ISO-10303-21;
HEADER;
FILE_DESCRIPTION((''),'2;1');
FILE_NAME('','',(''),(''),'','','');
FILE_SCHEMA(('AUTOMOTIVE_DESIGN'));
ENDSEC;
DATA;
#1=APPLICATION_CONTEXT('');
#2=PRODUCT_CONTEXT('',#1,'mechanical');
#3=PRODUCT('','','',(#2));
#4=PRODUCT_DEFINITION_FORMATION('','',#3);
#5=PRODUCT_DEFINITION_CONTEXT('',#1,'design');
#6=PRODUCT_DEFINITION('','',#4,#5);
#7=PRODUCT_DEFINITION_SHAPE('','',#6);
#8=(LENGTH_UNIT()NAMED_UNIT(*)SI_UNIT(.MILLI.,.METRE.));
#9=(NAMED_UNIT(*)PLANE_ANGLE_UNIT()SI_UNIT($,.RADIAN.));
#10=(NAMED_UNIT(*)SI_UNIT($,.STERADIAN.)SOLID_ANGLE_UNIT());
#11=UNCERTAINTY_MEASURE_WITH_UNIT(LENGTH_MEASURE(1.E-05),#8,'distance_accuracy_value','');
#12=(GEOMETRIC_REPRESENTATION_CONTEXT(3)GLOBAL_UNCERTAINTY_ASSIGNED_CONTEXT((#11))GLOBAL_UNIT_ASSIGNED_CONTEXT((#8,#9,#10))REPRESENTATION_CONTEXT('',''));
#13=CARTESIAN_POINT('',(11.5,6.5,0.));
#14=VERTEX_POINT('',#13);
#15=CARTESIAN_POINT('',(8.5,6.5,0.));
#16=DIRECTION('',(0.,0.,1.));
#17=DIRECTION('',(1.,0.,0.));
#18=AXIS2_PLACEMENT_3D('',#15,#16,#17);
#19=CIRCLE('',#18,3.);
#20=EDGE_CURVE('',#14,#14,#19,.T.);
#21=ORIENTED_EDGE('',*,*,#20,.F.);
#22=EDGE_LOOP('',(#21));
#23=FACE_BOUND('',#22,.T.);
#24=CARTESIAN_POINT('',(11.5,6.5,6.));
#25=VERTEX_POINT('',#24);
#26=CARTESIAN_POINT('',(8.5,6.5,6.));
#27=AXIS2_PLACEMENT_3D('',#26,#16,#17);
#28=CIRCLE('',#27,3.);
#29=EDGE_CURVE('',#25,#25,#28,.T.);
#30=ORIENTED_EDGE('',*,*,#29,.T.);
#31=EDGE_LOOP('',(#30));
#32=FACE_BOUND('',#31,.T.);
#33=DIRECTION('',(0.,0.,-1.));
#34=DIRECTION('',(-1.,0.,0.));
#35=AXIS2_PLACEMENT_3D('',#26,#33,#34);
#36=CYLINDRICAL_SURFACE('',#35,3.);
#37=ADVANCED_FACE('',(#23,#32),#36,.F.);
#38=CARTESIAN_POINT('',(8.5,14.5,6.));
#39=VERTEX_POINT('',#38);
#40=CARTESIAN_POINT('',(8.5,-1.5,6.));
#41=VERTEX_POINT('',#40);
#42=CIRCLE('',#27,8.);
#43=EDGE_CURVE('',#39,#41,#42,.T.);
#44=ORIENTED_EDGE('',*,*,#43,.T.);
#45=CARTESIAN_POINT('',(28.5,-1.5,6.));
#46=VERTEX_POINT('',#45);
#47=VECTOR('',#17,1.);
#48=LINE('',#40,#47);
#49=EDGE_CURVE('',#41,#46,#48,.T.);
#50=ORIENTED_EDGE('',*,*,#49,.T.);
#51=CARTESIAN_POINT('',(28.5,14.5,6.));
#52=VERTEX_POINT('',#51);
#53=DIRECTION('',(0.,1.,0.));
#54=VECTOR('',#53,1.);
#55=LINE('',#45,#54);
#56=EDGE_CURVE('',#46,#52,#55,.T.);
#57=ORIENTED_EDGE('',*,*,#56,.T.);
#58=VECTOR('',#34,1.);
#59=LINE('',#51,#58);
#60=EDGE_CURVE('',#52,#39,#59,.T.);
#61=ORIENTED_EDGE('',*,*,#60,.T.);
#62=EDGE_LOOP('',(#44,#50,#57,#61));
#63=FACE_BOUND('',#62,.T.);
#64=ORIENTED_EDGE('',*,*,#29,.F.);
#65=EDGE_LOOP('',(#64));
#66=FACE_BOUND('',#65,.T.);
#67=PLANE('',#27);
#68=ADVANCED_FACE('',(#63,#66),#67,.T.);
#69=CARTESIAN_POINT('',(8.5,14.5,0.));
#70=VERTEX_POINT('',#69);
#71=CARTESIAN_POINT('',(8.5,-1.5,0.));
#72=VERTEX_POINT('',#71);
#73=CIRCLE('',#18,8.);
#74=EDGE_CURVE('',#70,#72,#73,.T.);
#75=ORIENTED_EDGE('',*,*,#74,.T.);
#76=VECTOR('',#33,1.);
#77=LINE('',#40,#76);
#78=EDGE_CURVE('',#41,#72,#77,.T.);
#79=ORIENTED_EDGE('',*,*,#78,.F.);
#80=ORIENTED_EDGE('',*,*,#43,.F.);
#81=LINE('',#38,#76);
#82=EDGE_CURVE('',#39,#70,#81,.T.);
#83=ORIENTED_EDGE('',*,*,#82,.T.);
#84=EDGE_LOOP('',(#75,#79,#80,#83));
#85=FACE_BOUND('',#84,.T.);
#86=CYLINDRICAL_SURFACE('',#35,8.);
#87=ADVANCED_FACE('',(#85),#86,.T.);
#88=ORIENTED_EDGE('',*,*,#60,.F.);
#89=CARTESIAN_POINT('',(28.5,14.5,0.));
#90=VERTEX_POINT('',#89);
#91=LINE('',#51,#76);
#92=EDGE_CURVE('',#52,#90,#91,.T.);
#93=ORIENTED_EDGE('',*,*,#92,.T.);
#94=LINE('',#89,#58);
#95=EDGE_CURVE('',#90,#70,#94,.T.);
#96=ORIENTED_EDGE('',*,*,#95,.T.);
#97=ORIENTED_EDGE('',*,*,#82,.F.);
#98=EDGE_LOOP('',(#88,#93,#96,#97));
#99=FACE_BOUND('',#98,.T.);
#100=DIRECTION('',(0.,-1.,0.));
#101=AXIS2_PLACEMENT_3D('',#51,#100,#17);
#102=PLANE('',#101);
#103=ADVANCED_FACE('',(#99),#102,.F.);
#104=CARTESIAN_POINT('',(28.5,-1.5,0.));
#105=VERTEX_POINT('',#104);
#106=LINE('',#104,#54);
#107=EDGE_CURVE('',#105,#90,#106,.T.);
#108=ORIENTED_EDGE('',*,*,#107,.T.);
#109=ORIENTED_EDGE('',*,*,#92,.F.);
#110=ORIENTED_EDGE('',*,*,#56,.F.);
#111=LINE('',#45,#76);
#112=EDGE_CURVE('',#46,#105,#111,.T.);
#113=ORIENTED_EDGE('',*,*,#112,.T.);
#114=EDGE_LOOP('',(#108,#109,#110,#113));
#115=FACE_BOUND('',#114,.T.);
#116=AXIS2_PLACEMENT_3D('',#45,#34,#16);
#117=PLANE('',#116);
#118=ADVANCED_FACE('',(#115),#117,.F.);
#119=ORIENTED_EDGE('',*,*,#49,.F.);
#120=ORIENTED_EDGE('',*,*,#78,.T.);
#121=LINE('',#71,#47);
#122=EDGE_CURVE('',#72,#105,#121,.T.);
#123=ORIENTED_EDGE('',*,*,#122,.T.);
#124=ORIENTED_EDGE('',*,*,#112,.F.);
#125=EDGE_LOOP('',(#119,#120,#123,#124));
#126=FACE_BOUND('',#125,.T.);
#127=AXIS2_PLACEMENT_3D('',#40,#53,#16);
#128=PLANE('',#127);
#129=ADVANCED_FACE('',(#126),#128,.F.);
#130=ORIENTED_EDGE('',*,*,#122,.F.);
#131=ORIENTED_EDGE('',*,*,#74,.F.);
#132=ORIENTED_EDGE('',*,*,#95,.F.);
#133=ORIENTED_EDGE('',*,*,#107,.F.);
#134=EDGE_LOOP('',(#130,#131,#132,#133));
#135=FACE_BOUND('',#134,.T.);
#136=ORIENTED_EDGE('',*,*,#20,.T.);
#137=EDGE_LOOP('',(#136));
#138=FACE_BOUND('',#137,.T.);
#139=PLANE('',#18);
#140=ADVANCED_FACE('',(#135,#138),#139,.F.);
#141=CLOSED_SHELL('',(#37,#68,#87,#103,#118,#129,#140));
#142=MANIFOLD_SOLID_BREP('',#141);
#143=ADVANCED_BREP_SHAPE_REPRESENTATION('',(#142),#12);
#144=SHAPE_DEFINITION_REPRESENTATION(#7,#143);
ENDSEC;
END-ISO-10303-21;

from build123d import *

# Parameters (mm, degrees)
SKETCH1_R           = 3
BOSS_EXTRUDE1_DEPTH = 6


with BuildPart() as part:
    # Sketch1 → Boss-Extrude1 (new body)
    with BuildSketch(Plane.XY):
        with BuildLine():
            Line((8.5, -1.5), (28.5, -1.5))
            Line((28.5, -1.5), (28.5, 14.5))
            Line((28.5, 14.5), (8.5, 14.5))
            ThreePointArc((8.5, 14.5), (0.5, 6.5), (8.5, -1.5))
        make_face()
        with Locations((8.5, 6.5)):
            Circle(SKETCH1_R, mode=Mode.SUBTRACT)
    extrude(amount=BOSS_EXTRUDE1_DEPTH)


solid = part.part
